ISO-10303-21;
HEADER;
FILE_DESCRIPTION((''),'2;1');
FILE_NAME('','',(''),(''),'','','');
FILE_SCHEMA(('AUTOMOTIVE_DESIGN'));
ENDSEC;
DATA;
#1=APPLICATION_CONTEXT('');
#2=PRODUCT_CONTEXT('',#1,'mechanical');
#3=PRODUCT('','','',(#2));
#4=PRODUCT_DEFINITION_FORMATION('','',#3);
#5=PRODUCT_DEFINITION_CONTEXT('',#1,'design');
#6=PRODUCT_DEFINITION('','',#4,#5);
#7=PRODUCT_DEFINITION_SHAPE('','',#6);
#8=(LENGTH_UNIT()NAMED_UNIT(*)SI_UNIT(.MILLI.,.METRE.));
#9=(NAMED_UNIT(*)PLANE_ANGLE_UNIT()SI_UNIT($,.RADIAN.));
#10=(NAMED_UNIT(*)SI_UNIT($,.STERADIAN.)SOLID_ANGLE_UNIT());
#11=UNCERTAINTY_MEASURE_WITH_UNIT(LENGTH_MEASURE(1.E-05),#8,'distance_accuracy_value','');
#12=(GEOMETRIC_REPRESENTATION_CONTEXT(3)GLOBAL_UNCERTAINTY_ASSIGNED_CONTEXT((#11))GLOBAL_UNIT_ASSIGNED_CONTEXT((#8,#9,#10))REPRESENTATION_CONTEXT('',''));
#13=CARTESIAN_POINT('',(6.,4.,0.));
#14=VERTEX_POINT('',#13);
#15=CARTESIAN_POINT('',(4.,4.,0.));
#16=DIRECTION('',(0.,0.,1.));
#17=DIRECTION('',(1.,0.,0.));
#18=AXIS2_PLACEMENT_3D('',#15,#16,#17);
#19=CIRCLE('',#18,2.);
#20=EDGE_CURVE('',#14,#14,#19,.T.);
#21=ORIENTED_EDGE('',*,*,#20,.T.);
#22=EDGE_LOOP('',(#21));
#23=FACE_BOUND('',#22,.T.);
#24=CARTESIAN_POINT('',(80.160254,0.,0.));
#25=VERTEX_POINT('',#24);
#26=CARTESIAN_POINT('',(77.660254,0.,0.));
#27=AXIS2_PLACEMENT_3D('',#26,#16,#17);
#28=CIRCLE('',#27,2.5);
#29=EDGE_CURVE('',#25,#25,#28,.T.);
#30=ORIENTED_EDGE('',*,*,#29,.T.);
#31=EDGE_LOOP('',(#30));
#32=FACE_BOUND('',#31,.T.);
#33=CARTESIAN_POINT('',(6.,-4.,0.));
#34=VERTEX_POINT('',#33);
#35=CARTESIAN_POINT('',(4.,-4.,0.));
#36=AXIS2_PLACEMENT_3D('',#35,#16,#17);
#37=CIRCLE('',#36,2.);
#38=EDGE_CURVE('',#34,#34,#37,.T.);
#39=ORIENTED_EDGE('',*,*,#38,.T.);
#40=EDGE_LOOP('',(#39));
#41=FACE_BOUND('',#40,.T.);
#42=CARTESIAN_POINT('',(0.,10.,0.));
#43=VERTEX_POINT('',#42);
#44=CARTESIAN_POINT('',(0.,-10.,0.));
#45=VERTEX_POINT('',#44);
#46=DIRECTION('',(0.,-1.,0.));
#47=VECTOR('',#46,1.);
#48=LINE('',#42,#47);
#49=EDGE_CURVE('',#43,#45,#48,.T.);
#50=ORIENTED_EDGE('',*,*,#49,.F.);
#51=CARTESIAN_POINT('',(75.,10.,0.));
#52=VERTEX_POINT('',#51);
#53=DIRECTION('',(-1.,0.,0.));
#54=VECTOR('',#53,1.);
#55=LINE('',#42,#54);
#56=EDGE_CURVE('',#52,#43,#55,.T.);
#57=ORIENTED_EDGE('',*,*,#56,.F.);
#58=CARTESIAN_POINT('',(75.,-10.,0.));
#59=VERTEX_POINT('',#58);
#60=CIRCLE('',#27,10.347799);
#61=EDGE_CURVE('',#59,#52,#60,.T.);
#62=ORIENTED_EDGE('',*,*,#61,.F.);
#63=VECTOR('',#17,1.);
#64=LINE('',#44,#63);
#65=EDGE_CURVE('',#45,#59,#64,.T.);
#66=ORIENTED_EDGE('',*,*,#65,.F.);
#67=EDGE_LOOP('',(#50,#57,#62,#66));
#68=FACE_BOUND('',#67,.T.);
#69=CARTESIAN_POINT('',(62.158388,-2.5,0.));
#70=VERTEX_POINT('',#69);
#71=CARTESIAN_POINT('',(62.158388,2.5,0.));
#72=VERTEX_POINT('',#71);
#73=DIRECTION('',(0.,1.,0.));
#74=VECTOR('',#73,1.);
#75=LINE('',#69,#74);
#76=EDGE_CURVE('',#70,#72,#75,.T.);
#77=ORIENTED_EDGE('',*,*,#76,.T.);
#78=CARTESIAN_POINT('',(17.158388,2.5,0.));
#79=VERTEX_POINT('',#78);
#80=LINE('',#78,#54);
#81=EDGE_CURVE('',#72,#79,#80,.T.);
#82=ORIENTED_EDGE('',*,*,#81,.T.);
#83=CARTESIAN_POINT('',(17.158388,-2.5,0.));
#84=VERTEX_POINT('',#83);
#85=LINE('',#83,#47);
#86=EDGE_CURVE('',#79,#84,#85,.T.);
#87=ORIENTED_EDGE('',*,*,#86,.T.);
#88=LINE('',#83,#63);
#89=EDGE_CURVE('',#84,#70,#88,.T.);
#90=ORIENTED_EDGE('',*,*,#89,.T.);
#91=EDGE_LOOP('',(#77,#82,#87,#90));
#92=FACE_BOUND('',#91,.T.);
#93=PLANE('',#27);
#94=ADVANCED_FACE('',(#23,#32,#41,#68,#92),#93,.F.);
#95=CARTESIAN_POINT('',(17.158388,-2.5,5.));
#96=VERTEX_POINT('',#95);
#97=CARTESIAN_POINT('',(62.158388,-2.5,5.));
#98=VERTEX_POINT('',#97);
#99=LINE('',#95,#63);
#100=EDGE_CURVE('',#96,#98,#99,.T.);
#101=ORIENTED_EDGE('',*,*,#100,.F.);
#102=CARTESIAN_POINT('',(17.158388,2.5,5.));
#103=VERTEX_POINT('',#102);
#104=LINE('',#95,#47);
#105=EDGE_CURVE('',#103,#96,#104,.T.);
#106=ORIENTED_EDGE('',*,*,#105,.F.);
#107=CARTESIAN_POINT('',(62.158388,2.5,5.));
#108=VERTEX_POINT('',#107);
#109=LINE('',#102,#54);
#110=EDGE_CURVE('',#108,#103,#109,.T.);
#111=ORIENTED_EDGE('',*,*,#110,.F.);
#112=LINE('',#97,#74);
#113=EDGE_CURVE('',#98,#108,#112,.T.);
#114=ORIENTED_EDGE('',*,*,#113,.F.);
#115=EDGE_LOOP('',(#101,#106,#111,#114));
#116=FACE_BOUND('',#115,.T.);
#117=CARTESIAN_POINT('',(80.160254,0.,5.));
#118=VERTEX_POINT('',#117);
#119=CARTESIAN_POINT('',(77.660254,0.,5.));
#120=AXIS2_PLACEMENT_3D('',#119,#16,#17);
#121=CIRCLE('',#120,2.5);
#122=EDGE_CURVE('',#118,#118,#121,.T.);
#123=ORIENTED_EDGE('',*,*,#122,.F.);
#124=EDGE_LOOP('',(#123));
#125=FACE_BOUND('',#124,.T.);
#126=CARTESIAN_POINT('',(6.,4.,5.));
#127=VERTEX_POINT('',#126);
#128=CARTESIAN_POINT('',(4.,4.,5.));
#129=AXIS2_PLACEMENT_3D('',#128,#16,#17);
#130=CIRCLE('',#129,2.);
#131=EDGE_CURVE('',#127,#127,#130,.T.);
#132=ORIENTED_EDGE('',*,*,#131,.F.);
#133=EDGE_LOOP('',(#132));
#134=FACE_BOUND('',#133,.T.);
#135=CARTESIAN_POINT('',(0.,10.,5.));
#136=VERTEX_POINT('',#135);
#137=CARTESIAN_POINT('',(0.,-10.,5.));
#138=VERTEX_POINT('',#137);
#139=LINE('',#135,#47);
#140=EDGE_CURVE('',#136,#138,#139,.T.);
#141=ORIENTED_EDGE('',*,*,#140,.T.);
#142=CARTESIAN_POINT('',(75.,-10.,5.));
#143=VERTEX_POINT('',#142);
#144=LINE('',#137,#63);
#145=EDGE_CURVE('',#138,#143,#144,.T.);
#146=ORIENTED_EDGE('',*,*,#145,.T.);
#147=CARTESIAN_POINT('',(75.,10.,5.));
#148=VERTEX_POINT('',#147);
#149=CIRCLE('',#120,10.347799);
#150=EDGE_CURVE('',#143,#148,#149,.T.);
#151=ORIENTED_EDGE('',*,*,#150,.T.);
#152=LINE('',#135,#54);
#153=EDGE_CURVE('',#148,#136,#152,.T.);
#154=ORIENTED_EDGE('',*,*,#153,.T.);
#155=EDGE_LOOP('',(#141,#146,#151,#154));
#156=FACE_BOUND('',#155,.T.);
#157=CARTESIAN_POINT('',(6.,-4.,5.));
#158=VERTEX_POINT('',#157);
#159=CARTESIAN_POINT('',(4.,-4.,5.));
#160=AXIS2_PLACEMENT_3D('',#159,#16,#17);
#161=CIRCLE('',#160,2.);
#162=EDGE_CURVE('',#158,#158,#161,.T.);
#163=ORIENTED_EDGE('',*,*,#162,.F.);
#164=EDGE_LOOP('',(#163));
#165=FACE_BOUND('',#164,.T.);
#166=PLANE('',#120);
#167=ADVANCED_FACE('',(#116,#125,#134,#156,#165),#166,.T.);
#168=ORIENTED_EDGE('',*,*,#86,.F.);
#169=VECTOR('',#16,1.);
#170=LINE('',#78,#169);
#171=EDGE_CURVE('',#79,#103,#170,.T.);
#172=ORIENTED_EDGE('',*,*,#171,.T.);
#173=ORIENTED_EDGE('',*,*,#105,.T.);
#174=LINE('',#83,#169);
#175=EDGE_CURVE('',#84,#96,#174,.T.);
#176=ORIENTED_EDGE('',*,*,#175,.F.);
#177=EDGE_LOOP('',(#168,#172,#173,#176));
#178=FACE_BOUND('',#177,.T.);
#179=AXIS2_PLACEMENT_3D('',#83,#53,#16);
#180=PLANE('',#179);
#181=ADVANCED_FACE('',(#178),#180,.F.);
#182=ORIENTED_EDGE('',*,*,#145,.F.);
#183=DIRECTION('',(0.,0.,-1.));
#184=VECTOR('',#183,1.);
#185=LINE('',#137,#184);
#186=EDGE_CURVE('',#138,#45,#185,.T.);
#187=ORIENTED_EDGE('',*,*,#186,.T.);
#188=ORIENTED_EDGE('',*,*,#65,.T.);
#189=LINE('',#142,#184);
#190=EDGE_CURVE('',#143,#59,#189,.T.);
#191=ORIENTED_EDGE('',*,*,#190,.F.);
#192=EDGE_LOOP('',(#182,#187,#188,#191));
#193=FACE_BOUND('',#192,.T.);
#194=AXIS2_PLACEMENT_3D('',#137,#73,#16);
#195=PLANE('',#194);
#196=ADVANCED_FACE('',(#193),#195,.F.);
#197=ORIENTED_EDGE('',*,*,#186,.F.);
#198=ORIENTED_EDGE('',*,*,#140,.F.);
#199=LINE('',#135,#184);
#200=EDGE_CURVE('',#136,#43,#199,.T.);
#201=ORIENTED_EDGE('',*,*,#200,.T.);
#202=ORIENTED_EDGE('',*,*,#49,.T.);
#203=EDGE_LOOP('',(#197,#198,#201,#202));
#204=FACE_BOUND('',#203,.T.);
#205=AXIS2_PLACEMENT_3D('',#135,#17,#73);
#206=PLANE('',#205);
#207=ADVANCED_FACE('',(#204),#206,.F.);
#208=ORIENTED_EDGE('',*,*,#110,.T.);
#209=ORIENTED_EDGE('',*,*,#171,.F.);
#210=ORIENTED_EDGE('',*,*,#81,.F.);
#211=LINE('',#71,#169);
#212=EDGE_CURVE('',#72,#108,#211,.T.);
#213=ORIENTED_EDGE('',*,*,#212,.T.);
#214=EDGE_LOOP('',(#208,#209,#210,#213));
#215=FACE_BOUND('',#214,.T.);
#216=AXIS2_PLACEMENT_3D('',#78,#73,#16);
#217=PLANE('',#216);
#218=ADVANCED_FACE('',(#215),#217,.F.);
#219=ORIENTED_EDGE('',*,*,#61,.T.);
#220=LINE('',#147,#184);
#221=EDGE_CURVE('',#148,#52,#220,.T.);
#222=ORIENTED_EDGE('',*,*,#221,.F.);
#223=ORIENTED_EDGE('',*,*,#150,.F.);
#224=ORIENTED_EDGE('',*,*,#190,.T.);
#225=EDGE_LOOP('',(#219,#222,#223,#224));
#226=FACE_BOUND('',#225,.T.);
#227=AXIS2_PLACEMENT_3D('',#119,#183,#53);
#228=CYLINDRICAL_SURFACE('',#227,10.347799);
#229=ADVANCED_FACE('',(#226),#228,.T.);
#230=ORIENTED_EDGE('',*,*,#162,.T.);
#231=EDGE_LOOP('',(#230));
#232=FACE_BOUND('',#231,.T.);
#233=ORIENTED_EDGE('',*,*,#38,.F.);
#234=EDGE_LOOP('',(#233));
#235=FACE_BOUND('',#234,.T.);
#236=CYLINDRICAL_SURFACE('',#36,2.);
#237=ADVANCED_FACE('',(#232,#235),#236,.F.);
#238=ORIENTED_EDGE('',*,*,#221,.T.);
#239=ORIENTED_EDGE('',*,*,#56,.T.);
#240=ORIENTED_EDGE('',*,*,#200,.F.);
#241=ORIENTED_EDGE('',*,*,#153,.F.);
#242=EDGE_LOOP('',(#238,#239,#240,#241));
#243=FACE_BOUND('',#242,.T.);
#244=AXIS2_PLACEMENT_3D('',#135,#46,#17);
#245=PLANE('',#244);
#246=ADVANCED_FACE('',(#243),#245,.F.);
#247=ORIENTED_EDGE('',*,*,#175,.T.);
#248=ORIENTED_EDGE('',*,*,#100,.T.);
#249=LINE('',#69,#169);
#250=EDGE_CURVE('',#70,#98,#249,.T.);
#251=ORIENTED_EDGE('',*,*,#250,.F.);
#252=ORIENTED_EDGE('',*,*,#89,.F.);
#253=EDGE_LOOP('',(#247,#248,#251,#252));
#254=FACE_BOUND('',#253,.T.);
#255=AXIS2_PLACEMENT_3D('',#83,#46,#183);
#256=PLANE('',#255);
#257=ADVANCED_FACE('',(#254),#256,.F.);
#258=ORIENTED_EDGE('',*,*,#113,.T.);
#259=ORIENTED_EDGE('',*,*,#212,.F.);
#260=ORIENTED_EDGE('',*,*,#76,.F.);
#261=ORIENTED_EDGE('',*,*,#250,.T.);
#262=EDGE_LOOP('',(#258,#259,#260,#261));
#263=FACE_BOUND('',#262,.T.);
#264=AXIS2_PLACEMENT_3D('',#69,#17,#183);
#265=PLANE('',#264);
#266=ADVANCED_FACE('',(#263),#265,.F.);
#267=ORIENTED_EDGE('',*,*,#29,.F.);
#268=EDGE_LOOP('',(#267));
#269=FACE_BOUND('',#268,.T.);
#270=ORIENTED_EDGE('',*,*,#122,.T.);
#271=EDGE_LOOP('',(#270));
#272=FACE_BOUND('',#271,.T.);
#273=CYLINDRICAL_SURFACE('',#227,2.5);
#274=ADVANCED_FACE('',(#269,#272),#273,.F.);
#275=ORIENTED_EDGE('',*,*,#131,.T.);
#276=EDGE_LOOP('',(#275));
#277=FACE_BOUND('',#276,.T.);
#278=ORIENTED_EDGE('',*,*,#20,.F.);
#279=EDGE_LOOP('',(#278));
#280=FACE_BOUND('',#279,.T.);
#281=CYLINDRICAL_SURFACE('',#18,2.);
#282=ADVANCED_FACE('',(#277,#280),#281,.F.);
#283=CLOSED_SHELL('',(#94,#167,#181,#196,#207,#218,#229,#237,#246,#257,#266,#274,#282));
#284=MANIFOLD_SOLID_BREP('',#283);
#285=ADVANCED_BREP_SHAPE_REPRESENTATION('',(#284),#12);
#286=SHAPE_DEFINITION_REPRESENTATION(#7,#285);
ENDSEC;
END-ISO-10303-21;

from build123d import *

# Parameters (mm, degrees)
SCHIZZO1_R                   = 2.5
ESTRUSIONE_ESTRUSIONE1_DEPTH = 5
SCHIZZO2_W                   = 45
SCHIZZO2_H                   = 5
TAGLIO_ESTRUSIONE1_DEPTH     = 89.755250064
SCHIZZO4_R                   = 2
TAGLIO_ESTRUSIONE2_DEPTH     = 89.755250064


with BuildPart() as part:
    # Schizzo1 → Estrusione-Estrusione1 (new body)
    with BuildSketch(Plane.XY):
        with BuildLine():
            Line((0, -10), (75, -10))
            ThreePointArc((75, -10), (88.008053395, 0), (75, 10))
            Line((75, 10), (0, 10))
            Line((0, 10), (0, -10))
        make_face()
        with Locations((77.660254038, 0)):
            Circle(SCHIZZO1_R, mode=Mode.SUBTRACT)
    extrude(amount=ESTRUSIONE_ESTRUSIONE1_DEPTH)

    # Schizzo2 → Taglio-Estrusione1 (cut, through all)
    with BuildSketch(Plane.XY.offset(5)):
        with Locations((39.658388278, 0)):
            Rectangle(SCHIZZO2_W, SCHIZZO2_H)
    extrude(amount=-TAGLIO_ESTRUSIONE1_DEPTH, mode=Mode.SUBTRACT)

    # Schizzo4 → Taglio-Estrusione2 (cut, through all)
    with BuildSketch(Plane.XY.offset(5)):
        with Locations((4, 4)):
            Circle(SCHIZZO4_R)
        with Locations((4, -4)):
            Circle(SCHIZZO4_R)
    extrude(amount=-TAGLIO_ESTRUSIONE2_DEPTH, mode=Mode.SUBTRACT)


solid = part.part
